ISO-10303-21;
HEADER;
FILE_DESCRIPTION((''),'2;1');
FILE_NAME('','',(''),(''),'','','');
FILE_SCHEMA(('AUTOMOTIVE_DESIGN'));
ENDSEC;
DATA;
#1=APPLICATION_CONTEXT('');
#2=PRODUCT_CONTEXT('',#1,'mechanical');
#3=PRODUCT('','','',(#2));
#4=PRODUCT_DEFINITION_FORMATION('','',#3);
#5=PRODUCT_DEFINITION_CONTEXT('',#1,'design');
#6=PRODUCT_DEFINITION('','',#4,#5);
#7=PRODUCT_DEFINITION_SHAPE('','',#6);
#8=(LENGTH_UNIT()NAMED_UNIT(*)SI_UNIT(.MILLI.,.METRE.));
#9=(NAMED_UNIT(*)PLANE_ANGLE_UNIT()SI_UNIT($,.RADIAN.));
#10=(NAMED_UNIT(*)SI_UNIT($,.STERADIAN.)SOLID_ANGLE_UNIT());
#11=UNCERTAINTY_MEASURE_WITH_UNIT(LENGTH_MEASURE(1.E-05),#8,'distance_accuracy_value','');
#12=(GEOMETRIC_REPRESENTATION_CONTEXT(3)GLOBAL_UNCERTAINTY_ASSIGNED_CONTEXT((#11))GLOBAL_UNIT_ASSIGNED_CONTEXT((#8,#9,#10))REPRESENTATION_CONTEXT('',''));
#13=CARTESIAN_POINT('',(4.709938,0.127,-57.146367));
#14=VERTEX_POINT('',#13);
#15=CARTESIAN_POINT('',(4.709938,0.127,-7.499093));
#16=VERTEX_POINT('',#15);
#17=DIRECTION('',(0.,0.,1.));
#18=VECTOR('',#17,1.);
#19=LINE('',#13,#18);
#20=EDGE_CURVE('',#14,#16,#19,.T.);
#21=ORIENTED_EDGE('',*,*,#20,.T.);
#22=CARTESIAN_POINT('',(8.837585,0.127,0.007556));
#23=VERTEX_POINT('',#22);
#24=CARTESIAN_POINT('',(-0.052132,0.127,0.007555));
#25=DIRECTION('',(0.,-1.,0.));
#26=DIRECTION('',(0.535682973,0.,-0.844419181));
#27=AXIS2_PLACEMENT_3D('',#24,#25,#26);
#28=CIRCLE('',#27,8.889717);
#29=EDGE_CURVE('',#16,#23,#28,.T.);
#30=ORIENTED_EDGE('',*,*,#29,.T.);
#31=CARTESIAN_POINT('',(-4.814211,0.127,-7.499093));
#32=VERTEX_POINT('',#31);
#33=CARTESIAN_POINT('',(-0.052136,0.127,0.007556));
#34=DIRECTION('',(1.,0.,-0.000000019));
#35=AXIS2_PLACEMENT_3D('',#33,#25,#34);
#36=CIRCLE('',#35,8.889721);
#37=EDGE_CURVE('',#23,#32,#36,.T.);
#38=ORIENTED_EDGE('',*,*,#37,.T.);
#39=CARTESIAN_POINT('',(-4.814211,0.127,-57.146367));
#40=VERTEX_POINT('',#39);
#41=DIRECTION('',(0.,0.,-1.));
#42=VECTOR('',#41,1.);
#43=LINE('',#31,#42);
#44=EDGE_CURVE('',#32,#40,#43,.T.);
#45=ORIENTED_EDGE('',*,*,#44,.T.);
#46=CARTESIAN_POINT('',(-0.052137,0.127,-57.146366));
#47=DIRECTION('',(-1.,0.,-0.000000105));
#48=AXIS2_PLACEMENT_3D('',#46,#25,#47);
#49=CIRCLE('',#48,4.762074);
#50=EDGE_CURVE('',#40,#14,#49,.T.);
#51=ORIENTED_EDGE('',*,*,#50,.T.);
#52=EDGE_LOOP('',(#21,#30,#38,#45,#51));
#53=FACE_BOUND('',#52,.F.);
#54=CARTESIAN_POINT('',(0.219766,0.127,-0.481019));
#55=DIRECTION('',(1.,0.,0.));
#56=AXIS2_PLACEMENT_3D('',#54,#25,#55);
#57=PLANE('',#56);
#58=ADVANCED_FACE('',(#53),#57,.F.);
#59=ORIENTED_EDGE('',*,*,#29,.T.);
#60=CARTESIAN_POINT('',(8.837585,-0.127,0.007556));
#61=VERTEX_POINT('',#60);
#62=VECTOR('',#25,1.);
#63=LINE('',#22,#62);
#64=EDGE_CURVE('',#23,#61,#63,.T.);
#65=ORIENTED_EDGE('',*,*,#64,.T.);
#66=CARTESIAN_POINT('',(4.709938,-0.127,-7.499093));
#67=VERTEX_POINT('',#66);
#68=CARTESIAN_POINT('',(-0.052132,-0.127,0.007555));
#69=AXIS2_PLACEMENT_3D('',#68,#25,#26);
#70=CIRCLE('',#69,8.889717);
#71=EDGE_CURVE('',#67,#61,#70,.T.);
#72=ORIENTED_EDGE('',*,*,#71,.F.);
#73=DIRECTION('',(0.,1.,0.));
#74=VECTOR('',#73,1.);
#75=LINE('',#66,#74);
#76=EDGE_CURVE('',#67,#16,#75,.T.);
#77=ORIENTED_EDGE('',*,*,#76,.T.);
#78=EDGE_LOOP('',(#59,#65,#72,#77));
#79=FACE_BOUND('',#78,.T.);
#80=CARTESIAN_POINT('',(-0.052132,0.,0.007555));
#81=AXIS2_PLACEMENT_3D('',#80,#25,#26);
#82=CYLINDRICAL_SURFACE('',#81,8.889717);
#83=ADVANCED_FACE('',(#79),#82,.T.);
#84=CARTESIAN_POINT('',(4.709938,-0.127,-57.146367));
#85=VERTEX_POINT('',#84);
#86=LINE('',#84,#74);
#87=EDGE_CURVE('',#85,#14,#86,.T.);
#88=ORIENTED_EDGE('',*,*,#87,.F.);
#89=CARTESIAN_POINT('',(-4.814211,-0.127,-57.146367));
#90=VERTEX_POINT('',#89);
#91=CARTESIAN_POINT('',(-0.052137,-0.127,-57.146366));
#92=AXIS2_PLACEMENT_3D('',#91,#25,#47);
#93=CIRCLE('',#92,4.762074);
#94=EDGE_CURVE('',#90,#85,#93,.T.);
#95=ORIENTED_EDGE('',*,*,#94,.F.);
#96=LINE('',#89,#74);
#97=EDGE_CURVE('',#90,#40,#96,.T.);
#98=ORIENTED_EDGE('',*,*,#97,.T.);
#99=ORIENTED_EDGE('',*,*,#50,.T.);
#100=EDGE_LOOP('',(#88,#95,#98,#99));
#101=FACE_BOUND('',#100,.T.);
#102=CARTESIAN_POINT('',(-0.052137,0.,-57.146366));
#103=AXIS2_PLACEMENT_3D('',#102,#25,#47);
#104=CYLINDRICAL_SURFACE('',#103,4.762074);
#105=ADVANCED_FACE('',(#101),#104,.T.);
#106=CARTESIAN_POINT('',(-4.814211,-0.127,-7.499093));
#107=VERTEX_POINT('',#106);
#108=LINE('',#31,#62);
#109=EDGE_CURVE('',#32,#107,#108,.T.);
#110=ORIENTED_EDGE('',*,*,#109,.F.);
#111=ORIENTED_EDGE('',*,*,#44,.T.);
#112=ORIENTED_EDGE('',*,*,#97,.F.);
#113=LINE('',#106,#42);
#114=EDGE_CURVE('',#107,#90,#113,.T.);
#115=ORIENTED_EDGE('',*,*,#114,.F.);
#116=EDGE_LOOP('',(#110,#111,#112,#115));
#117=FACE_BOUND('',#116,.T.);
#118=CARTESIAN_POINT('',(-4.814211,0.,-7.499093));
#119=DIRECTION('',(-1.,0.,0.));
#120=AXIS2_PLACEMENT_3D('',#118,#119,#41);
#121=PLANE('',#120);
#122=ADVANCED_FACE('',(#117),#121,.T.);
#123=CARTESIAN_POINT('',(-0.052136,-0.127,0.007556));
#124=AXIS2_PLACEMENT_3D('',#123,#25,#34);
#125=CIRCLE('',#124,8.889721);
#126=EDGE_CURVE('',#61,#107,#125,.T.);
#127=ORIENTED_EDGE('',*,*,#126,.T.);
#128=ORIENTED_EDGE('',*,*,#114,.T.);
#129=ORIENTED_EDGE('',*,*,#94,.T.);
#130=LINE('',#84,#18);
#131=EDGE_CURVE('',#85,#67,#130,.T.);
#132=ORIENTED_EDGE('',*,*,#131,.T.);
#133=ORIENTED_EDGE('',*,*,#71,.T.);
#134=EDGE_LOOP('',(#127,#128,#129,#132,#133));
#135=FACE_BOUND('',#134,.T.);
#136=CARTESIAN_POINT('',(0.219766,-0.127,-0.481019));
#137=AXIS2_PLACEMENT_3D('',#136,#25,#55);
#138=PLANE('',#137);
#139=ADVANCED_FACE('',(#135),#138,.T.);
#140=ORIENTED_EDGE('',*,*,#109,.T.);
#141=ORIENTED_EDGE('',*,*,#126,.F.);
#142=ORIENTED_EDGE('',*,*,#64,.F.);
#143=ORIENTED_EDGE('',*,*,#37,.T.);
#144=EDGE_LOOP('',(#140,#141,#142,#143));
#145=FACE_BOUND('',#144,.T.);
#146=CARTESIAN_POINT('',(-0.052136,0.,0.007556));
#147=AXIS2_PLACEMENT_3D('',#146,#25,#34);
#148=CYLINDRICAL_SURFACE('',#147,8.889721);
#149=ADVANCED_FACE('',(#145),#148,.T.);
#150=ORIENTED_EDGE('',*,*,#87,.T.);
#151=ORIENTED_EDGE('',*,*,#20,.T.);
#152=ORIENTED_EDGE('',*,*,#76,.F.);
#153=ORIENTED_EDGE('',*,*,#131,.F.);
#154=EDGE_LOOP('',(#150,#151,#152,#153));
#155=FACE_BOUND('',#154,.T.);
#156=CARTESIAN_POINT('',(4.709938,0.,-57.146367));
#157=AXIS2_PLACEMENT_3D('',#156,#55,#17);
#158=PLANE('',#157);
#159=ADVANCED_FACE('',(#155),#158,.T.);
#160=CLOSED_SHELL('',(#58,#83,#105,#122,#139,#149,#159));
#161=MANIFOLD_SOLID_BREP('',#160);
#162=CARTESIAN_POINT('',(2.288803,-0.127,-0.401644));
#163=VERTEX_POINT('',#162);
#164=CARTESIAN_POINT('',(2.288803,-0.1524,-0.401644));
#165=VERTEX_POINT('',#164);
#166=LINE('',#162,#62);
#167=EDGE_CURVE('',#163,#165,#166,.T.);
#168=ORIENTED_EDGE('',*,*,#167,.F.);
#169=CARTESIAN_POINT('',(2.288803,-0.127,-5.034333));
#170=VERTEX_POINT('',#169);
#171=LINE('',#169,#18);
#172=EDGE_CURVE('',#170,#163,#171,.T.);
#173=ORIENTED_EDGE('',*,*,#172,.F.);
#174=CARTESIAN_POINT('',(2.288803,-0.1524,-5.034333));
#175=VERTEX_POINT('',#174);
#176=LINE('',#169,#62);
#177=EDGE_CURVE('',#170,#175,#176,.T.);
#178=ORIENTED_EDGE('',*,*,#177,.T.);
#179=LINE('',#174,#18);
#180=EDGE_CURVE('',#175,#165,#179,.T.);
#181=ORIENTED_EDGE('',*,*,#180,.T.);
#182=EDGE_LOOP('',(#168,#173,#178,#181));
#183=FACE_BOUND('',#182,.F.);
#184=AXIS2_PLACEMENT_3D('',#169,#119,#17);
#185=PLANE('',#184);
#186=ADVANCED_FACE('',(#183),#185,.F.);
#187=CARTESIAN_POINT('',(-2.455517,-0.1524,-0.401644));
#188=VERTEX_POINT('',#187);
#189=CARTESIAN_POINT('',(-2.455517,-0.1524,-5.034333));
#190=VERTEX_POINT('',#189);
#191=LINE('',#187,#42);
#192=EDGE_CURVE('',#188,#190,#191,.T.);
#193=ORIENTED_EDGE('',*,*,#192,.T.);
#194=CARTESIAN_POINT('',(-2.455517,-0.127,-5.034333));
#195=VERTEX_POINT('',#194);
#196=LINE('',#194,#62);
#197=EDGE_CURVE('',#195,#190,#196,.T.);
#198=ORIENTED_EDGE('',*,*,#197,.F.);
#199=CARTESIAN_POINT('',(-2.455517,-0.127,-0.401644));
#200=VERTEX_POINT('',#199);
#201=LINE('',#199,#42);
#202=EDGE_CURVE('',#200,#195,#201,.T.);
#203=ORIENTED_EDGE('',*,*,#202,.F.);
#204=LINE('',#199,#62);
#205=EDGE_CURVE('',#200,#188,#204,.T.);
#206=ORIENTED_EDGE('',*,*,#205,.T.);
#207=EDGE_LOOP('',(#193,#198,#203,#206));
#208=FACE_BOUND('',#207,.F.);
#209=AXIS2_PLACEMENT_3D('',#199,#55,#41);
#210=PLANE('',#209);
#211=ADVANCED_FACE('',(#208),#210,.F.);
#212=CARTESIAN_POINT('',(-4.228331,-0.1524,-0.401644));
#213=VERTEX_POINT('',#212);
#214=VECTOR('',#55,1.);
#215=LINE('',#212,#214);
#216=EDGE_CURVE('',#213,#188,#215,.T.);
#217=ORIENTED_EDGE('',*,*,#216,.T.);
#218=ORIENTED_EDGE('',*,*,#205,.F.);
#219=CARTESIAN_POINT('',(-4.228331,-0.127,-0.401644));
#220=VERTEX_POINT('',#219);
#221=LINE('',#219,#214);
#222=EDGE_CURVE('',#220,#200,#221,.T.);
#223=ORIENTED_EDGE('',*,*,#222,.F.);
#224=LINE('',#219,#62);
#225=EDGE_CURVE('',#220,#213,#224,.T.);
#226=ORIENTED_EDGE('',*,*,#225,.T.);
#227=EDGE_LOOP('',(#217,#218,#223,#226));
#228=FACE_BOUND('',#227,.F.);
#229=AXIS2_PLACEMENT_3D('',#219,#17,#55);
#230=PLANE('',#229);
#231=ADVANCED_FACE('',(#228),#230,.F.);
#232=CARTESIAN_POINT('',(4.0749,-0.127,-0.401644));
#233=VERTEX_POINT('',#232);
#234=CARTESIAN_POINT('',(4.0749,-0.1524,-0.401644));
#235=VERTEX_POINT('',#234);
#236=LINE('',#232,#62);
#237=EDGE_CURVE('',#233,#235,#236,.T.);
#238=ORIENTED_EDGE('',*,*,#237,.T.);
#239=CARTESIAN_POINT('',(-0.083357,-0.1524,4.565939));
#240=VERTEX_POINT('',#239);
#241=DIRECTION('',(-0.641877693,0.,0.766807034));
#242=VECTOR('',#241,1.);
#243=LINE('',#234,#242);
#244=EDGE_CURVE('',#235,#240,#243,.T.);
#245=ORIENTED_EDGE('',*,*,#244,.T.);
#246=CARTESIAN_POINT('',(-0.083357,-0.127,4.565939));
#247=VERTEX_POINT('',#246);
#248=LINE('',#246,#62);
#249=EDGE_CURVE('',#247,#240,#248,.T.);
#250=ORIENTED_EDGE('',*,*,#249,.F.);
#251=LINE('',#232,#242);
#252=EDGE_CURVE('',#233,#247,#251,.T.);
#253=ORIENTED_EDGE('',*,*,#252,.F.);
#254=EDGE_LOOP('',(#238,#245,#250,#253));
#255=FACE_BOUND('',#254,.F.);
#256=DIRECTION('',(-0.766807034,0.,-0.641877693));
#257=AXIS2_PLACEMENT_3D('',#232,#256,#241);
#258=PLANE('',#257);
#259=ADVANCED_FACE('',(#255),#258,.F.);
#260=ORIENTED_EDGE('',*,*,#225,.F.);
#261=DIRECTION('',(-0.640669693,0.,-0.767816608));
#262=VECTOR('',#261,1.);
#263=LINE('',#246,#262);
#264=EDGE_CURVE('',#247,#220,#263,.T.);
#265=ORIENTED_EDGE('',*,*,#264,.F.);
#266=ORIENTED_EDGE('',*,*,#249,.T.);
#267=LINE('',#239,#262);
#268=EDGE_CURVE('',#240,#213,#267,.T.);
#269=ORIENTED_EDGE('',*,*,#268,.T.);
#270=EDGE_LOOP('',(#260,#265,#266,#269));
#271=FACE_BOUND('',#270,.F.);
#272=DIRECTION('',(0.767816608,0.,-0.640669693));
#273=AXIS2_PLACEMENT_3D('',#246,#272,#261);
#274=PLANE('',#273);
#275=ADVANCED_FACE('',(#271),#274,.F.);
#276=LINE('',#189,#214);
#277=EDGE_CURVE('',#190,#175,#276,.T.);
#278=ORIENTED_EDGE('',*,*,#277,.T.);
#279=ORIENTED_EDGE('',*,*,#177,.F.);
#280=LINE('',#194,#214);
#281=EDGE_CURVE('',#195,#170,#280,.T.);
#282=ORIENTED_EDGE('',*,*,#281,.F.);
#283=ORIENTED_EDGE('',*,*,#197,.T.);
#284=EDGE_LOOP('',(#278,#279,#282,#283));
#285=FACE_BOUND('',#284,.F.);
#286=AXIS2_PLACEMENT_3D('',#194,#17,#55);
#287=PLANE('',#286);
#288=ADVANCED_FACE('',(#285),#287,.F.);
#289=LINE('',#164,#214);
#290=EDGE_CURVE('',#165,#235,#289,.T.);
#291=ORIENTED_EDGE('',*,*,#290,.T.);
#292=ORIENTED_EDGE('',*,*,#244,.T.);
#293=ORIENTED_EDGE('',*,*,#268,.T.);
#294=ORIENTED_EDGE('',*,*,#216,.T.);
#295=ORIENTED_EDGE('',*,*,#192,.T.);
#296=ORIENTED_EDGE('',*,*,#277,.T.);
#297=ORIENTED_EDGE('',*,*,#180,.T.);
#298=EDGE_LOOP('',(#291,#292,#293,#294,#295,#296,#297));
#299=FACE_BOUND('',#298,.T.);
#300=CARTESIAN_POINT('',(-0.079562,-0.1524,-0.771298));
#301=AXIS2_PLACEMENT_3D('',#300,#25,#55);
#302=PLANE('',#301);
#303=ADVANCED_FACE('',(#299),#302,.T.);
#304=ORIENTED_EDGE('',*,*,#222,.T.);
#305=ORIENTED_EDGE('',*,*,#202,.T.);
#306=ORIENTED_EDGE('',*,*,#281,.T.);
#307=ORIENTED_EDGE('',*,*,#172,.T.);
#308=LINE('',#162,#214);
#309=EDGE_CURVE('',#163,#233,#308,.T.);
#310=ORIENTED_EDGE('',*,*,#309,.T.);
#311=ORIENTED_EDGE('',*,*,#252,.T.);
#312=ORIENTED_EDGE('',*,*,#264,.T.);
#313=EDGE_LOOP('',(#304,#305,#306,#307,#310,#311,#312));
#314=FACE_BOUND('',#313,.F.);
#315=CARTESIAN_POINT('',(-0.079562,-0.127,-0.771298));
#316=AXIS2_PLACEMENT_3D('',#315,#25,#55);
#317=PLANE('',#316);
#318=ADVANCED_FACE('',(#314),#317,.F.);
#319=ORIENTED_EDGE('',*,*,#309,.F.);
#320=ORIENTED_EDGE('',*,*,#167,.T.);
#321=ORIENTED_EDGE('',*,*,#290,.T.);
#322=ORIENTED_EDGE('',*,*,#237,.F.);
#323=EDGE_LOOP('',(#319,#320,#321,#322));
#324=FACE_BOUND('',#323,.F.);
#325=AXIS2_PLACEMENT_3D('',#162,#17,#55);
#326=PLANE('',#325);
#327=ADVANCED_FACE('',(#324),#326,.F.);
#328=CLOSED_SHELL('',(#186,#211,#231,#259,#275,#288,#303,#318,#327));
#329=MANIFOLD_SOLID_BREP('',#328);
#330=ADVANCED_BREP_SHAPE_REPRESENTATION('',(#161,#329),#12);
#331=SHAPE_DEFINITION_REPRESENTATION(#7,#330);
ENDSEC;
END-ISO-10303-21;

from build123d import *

# Parameters (mm, degrees)
F1_DEPTH = 0.127
F3_DEPTH = 0.0254


with BuildPart() as f1:
    # F0 (on Front) → F1 (new body, symmetric)
    with BuildSketch(Plane.XZ):
        with BuildLine():
            ThreePointArc((4.709938, -7.499093), (7.737622, -4.275762), (8.837585, 0.007556))
            ThreePointArc((8.837585, 0.007556), (-4.335454, 7.797314), (-4.814211, -7.499093))
            ThreePointArc((-4.814211, -7.499093), (-0.052136, -8.882165), (4.709938, -7.499093))
        make_face()
        with BuildLine():
            ThreePointArc((4.709938, -7.499093), (-0.052136, -8.882165), (-4.814211, -7.499093))
            Line((-4.814211, -7.499093), (-4.814211, -57.146367))
            ThreePointArc((-4.814211, -57.146367), (-0.052136, -52.384292), (4.709938, -57.146367))
            Line((4.709938, -57.146367), (4.709938, -7.499093))
        make_face()
        with BuildLine():
            ThreePointArc((4.709938, -57.146367), (-0.052136, -52.384292), (-4.814211, -57.146367))
            ThreePointArc((-4.814211, -57.146367), (-0.052136, -61.908441), (4.709938, -57.146367))
        make_face()
    extrude(amount=F1_DEPTH, both=True)


with BuildPart() as f3:
    # F2 (on face) → F3 (new body)
    with BuildSketch(Plane.XZ.offset(0.127)):
        Polygon((-2.455517, -0.401644), (-2.455517, -5.034333), (2.288803, -5.034333), (2.288803, -0.401644), (4.0749, -0.401644), (-0.083357, 4.565939), (-4.228331, -0.401644), align=None)
    extrude(amount=F3_DEPTH)


solid = Compound([f1.part, f3.part])
